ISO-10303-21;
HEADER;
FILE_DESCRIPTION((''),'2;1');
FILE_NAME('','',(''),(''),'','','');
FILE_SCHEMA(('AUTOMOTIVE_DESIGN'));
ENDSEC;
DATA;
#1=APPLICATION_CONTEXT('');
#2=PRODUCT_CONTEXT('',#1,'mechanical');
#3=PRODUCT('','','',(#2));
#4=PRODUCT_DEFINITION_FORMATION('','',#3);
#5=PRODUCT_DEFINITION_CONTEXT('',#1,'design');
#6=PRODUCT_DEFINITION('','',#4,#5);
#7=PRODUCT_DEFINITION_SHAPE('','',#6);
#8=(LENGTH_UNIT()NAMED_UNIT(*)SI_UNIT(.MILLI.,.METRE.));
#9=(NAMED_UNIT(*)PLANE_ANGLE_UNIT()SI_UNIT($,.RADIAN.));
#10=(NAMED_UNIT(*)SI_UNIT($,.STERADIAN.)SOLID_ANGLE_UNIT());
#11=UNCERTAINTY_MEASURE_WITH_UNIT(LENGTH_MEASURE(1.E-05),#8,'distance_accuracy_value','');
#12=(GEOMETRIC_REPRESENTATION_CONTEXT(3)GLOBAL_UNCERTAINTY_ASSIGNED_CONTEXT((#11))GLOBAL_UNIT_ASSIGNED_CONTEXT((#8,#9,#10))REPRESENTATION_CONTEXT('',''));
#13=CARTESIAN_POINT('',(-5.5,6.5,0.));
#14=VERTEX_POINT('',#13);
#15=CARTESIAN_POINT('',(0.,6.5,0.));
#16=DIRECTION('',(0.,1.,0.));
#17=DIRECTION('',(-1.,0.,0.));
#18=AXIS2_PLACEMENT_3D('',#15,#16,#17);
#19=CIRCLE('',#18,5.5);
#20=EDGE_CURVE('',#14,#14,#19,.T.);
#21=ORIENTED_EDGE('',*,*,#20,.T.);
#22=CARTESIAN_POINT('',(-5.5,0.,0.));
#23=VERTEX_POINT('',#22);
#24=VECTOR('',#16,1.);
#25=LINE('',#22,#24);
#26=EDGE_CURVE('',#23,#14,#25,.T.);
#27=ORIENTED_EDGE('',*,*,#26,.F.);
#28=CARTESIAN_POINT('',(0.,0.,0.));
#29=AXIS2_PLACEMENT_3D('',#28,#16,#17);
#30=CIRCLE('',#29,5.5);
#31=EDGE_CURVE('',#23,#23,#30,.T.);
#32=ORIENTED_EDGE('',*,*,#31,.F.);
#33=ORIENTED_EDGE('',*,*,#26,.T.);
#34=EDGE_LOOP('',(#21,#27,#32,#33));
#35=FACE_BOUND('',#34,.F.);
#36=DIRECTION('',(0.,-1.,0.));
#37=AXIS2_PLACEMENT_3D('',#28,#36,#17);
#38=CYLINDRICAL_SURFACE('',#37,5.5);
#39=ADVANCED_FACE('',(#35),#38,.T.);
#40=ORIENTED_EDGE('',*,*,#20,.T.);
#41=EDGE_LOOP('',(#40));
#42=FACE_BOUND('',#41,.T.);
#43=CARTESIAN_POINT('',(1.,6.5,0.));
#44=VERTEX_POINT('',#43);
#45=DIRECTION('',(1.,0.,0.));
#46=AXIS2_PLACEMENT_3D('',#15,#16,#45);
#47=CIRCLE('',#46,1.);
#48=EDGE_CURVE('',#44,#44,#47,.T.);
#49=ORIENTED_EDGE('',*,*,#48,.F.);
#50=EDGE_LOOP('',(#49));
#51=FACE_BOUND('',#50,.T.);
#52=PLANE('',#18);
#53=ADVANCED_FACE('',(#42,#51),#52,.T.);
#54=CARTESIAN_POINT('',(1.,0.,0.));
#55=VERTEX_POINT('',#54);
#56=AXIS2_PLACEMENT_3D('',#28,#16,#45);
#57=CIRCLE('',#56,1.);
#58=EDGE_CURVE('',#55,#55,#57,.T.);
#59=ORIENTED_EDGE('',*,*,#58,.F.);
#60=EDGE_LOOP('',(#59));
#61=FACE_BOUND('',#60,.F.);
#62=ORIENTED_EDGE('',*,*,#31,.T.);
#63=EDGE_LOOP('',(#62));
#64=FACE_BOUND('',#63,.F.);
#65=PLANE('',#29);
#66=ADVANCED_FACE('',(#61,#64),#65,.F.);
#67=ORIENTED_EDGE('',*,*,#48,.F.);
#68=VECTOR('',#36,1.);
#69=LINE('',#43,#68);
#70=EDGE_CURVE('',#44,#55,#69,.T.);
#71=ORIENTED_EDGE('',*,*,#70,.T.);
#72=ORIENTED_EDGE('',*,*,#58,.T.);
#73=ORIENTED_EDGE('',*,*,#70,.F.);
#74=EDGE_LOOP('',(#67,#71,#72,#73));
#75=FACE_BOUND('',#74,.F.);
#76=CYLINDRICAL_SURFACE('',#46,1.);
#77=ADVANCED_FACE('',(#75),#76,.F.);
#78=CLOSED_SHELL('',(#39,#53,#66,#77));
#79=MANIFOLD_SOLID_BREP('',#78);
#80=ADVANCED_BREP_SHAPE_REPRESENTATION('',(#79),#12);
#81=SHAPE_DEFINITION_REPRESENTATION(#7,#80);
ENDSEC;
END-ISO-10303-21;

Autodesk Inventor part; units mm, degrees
ref_plane "YZ Plane" through (0, 0, 0) normal (1, 0, 0) x (0, 1, 0)
ref_plane "XZ Plane" through (0, 0, 0) normal (0, 1, 0) x (-1, 0, 0)
ref_plane "XY Plane" through (0, 0, 0) normal (0, 0, 1) x (1, 0, 0)
sketch "スケッチ1" plane through (0, 0, 0) normal (0, 1, 0) x (-1, 0, 0)
  circle A0 centre (0, 0) radius 5.5
  dimension "d0" = 11
extrude "押し出し1" add sketch "スケッチ1" along normal blind 6.5
sketch "スケッチ2" plane through (0, 6.5, 0) normal (0, 1, 0) x (1, 0, 0)
  circle A0 centre (0, 0) radius 1
  dimension "d3" = 2
extrude "押し出し2" cut sketch "スケッチ2" against normal blind 6.5
properties part number "gear_tamiya_m0.5_22T"
